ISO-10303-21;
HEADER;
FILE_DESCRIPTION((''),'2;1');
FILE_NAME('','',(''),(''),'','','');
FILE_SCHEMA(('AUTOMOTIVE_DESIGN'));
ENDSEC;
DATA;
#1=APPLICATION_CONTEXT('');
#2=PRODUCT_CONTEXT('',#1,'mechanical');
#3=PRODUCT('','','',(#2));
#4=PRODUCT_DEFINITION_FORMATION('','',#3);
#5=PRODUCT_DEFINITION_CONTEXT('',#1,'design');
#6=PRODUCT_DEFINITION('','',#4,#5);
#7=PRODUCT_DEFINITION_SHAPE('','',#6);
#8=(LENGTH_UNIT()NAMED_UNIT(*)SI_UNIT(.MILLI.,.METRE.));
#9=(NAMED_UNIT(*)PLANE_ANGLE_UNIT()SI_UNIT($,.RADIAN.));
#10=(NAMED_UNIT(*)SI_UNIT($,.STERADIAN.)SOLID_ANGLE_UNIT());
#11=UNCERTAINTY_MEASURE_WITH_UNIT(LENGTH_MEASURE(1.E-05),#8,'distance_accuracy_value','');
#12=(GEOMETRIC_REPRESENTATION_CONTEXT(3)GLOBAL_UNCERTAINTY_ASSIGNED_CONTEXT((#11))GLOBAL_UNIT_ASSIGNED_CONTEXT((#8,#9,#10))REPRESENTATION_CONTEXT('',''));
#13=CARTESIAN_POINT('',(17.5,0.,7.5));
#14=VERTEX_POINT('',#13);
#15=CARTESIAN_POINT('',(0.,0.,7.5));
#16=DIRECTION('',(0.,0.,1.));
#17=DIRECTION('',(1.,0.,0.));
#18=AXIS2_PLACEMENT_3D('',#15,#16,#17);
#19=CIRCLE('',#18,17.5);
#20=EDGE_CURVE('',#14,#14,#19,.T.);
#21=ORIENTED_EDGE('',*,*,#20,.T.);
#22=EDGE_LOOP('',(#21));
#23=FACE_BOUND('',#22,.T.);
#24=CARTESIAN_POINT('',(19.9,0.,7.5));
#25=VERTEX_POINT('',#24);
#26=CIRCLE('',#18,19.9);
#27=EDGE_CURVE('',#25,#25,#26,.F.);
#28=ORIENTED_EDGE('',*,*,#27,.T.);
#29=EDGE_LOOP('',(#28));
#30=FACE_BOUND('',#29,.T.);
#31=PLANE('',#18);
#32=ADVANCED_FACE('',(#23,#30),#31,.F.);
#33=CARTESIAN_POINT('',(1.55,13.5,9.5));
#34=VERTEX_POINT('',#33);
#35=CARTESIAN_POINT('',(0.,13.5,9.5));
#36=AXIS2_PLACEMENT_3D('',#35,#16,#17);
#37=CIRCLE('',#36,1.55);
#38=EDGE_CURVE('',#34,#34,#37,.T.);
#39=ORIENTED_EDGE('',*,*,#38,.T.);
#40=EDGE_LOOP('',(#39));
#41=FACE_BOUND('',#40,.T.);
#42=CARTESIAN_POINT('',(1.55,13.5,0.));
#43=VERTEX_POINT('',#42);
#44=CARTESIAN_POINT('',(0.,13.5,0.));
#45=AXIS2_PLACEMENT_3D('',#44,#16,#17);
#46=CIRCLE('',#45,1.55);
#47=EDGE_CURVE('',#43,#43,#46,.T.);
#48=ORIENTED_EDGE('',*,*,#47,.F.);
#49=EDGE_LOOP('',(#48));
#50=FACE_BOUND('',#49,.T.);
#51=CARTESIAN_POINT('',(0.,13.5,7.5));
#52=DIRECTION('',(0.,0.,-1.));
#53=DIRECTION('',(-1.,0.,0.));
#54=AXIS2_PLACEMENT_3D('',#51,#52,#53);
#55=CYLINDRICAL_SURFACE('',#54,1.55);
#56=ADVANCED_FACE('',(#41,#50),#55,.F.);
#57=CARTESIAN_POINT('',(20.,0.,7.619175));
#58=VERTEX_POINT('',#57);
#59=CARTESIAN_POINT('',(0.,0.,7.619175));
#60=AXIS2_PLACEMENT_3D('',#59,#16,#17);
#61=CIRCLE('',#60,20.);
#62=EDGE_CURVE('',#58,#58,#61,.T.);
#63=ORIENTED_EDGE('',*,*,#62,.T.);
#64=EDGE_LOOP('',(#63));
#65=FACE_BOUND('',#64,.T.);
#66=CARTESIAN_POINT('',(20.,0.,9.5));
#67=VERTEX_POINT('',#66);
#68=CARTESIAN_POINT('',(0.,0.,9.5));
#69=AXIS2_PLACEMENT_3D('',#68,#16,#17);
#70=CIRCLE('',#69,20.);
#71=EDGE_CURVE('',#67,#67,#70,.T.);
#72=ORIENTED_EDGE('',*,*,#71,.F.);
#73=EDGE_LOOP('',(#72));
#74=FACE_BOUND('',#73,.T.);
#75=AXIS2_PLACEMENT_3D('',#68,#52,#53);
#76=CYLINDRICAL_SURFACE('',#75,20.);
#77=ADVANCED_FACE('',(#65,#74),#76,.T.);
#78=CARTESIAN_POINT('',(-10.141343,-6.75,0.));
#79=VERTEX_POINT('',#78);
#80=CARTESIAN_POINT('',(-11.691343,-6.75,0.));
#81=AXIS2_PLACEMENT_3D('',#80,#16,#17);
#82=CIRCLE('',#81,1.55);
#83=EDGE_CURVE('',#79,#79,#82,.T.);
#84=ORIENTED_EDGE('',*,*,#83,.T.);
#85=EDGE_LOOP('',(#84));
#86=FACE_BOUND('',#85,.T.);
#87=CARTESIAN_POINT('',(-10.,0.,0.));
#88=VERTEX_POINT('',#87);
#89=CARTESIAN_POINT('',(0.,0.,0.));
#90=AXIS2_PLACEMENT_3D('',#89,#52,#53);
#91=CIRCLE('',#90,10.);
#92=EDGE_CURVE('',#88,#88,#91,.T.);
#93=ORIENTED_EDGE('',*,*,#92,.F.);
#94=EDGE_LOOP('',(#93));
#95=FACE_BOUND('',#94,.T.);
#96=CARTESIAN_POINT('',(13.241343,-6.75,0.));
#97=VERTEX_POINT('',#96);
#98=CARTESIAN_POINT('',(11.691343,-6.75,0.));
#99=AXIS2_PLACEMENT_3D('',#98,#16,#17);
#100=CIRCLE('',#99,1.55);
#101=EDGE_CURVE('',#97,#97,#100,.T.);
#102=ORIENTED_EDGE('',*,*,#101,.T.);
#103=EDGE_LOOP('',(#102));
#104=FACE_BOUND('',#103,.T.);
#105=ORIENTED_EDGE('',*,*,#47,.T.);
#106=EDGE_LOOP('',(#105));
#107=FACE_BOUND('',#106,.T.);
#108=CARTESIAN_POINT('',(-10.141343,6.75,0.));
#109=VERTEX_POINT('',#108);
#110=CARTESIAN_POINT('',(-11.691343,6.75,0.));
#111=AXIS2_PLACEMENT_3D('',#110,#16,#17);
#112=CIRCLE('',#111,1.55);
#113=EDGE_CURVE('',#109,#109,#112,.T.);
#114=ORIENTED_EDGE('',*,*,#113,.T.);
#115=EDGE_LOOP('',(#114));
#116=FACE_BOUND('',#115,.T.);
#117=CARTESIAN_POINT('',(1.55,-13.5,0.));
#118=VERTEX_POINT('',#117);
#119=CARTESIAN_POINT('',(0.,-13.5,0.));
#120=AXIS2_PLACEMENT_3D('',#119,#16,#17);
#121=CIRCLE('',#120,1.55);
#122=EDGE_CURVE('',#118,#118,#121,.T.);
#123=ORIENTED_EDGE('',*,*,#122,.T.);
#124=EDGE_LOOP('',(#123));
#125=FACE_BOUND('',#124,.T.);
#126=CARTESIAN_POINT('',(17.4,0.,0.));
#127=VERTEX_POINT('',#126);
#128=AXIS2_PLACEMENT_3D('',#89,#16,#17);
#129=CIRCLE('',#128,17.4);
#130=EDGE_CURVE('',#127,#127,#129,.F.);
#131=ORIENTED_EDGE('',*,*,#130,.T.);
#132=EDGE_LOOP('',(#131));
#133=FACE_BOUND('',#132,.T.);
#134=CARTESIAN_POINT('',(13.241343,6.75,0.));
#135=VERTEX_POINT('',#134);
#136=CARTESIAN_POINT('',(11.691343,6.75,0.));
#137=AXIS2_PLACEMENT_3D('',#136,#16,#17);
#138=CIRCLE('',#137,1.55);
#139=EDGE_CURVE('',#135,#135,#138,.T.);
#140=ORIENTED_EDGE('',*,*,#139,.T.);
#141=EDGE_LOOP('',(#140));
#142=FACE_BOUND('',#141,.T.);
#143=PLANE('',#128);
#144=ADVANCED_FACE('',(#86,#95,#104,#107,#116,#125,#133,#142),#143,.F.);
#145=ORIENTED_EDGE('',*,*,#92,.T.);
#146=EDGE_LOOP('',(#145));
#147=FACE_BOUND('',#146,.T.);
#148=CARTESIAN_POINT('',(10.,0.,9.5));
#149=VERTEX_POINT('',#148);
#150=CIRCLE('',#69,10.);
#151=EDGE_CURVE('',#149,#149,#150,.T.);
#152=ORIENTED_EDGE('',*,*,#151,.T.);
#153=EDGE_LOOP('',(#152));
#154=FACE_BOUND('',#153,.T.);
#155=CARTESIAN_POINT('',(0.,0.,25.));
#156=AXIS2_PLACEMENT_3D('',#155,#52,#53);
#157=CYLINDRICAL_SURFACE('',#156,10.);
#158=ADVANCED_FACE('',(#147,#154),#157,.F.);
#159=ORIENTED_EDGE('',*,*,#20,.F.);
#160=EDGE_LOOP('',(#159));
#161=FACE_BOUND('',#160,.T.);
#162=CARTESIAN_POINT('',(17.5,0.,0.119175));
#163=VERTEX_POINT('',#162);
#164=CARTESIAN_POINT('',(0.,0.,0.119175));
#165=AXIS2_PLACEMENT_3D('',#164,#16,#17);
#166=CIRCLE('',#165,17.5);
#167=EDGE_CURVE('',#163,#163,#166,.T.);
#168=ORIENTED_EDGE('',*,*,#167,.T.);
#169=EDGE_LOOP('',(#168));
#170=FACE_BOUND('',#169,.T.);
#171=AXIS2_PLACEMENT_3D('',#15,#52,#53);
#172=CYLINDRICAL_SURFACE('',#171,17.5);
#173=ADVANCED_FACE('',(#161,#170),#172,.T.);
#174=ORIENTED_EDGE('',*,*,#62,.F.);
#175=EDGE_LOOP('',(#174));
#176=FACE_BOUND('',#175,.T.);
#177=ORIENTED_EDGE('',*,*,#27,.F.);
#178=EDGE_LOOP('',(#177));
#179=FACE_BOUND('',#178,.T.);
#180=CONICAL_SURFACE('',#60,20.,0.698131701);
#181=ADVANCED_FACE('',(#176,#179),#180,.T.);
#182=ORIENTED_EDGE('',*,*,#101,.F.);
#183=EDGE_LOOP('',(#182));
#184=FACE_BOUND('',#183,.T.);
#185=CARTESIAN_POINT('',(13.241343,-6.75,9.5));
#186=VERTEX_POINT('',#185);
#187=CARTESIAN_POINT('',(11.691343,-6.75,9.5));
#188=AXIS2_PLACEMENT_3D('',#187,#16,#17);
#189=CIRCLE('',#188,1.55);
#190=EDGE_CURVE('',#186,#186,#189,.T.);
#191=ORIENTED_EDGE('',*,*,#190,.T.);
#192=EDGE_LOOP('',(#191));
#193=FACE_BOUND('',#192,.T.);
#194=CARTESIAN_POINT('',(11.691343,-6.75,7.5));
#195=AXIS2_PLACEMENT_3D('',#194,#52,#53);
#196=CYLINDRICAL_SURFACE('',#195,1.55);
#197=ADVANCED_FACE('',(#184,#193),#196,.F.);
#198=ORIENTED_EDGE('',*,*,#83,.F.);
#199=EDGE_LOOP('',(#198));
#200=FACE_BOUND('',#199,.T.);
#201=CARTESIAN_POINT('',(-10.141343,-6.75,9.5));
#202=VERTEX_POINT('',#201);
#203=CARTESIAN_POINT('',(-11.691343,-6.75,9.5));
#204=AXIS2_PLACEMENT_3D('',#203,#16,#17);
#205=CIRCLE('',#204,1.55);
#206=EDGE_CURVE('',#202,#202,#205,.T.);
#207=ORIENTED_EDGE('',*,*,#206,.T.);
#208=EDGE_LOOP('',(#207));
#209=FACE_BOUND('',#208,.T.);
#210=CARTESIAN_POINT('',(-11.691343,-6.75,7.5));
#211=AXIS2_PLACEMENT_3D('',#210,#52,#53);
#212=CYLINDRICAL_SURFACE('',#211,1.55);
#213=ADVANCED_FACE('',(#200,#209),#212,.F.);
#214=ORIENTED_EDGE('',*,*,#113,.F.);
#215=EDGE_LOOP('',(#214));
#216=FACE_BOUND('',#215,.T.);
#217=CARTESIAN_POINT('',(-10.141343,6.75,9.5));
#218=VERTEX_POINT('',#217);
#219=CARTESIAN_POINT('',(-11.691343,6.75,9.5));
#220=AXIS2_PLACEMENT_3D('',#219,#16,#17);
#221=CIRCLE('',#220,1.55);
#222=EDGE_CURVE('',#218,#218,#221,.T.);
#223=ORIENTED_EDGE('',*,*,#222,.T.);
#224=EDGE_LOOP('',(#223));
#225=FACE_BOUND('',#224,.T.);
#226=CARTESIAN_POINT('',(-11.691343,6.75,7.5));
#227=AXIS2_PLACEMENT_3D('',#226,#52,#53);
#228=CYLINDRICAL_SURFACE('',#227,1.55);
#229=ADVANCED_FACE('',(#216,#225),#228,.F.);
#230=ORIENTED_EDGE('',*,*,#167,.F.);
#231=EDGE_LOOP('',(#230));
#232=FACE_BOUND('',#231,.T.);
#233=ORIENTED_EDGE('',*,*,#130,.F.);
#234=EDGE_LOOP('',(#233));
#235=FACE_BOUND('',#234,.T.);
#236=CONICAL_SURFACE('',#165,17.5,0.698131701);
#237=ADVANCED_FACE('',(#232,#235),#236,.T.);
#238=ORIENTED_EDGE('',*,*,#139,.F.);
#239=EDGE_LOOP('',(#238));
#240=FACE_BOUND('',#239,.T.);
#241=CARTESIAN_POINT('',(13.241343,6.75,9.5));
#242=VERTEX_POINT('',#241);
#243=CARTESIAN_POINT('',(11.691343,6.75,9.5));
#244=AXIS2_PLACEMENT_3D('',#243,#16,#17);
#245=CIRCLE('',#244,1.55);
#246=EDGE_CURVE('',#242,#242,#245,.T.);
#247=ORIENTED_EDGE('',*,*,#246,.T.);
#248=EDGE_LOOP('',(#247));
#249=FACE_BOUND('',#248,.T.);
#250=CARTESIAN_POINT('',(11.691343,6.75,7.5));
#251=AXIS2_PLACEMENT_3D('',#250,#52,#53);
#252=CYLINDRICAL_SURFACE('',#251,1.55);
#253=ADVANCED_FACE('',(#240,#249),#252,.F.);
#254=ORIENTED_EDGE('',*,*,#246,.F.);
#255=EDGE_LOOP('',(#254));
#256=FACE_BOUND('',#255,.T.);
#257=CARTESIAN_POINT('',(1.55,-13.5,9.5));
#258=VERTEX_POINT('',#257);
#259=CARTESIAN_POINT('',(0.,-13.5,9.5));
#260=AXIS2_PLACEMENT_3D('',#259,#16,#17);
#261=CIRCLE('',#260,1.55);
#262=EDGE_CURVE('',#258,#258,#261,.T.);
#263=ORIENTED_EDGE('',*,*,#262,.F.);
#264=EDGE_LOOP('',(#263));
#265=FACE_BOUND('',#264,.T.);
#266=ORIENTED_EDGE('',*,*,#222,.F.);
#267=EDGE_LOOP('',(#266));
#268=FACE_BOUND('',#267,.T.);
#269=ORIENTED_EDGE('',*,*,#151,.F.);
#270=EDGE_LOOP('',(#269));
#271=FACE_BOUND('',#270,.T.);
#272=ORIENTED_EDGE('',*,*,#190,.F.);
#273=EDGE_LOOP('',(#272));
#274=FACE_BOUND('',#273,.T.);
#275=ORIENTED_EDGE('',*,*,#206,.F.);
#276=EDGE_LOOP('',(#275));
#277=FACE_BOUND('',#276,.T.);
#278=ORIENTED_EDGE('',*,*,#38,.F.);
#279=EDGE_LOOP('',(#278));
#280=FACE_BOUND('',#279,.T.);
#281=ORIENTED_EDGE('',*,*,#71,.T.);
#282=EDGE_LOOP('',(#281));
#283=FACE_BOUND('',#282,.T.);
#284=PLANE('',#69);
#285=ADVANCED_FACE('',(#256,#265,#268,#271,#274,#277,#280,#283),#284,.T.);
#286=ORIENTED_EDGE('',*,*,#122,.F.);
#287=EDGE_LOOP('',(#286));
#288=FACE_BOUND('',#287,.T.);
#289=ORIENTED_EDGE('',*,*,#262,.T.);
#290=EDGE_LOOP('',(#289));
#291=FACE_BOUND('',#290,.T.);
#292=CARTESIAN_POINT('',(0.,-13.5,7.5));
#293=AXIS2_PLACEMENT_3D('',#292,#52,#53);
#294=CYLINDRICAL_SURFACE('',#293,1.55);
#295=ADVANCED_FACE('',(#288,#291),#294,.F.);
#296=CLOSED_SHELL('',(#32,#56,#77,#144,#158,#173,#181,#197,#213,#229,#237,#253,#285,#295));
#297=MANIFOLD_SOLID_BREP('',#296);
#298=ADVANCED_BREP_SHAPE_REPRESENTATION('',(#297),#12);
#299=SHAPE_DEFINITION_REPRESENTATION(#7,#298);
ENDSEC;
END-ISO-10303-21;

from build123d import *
from OCP.BRepFilletAPI import BRepFilletAPI_MakeChamfer

# Parameters (mm, degrees)
SKETCH_1_R          = 17.5
SKETCH_1_R_2        = 1.55
EXTRUDE_1_DEPTH     = 7.5
SKETCH_2_R          = 20
SKETCH_2_R_2        = 1.55
EXTRUDE_2_DEPTH     = 2
CHAMFER_1_SIZE      = 0.1
CHAMFER_1_SIZE2     = 0.119175359
SKETCH_4_R          = 10
CUT_EXTRUDE_1_DEPTH = 25


with BuildPart() as part:
    # 草图1 → 凸台-拉伸1 (new body)
    with BuildSketch(Plane.XY):
        Circle(SKETCH_1_R)
        with Locations((0, 13.5)):
            Circle(SKETCH_1_R_2, mode=Mode.SUBTRACT)
        with Locations((11.691342951, 6.75)):
            Circle(SKETCH_1_R_2, mode=Mode.SUBTRACT)
        with Locations((11.691342951, -6.75)):
            Circle(SKETCH_1_R_2, mode=Mode.SUBTRACT)
        with Locations((0, -13.5)):
            Circle(SKETCH_1_R_2, mode=Mode.SUBTRACT)
        with Locations((-11.691342951, -6.75)):
            Circle(SKETCH_1_R_2, mode=Mode.SUBTRACT)
        with Locations((-11.691342951, 6.75)):
            Circle(SKETCH_1_R_2, mode=Mode.SUBTRACT)
    extrude(amount=EXTRUDE_1_DEPTH)

    # 草图2 → 凸台-拉伸2 (add)
    with BuildSketch(Plane.XY.offset(7.5)):
        Circle(SKETCH_2_R)
        with Locations((11.691342951, 6.75)):
            Circle(SKETCH_2_R_2, mode=Mode.SUBTRACT)
        with Locations((11.691342951, -6.75)):
            Circle(SKETCH_2_R_2, mode=Mode.SUBTRACT)
        with Locations((0, -13.5)):
            Circle(SKETCH_2_R_2, mode=Mode.SUBTRACT)
        with Locations((-11.691342951, -6.75)):
            Circle(SKETCH_2_R_2, mode=Mode.SUBTRACT)
        with Locations((-11.691342951, 6.75)):
            Circle(SKETCH_2_R_2, mode=Mode.SUBTRACT)
        with Locations((0, 13.5)):
            Circle(SKETCH_2_R_2, mode=Mode.SUBTRACT)
    extrude(amount=EXTRUDE_2_DEPTH)

    # 倒角1: one chamfer whose edges measure the first distance from different faces: ONE call of the kernel's chamfer builder (chamfer() names one face for all edges)
    chamfer_1_edges_1 = [part.edges().sort_by_distance(p)[0] for p in [
        (-17.5, 0, 0),
    ]]
    chamfer_1_side_1 = [part.faces().sort_by_distance(p)[0] for p in [
        (0, 0, 0),
    ]]
    chamfer_1_edges_2 = [part.edges().sort_by_distance(p)[0] for p in [
        (-20, 0, 7.5),
    ]]
    chamfer_1_side_2 = [part.faces().sort_by_distance(p)[0] for p in [
        (-19.434314575, 0, 7.5),
    ]]
    chamfer_1 = BRepFilletAPI_MakeChamfer(part.part.solid().wrapped)
    for e in chamfer_1_edges_1:
        chamfer_1.Add(CHAMFER_1_SIZE, CHAMFER_1_SIZE2, e.wrapped, chamfer_1_side_1[0].wrapped)  # the first distance lies on this face
    for e in chamfer_1_edges_2:
        chamfer_1.Add(CHAMFER_1_SIZE, CHAMFER_1_SIZE2, e.wrapped, chamfer_1_side_2[0].wrapped)  # the first distance lies on this face
    add(Compound.cast(chamfer_1.Shape()), mode=Mode.REPLACE)

    # 草图4 → 切除-拉伸1 (cut)
    with BuildSketch(Plane(origin=(0, 0, 0), x_dir=(-1, 0, 0), z_dir=(0, 0, -1))):
        Circle(SKETCH_4_R)
    extrude(amount=-CUT_EXTRUDE_1_DEPTH, mode=Mode.SUBTRACT)


solid = part.part
